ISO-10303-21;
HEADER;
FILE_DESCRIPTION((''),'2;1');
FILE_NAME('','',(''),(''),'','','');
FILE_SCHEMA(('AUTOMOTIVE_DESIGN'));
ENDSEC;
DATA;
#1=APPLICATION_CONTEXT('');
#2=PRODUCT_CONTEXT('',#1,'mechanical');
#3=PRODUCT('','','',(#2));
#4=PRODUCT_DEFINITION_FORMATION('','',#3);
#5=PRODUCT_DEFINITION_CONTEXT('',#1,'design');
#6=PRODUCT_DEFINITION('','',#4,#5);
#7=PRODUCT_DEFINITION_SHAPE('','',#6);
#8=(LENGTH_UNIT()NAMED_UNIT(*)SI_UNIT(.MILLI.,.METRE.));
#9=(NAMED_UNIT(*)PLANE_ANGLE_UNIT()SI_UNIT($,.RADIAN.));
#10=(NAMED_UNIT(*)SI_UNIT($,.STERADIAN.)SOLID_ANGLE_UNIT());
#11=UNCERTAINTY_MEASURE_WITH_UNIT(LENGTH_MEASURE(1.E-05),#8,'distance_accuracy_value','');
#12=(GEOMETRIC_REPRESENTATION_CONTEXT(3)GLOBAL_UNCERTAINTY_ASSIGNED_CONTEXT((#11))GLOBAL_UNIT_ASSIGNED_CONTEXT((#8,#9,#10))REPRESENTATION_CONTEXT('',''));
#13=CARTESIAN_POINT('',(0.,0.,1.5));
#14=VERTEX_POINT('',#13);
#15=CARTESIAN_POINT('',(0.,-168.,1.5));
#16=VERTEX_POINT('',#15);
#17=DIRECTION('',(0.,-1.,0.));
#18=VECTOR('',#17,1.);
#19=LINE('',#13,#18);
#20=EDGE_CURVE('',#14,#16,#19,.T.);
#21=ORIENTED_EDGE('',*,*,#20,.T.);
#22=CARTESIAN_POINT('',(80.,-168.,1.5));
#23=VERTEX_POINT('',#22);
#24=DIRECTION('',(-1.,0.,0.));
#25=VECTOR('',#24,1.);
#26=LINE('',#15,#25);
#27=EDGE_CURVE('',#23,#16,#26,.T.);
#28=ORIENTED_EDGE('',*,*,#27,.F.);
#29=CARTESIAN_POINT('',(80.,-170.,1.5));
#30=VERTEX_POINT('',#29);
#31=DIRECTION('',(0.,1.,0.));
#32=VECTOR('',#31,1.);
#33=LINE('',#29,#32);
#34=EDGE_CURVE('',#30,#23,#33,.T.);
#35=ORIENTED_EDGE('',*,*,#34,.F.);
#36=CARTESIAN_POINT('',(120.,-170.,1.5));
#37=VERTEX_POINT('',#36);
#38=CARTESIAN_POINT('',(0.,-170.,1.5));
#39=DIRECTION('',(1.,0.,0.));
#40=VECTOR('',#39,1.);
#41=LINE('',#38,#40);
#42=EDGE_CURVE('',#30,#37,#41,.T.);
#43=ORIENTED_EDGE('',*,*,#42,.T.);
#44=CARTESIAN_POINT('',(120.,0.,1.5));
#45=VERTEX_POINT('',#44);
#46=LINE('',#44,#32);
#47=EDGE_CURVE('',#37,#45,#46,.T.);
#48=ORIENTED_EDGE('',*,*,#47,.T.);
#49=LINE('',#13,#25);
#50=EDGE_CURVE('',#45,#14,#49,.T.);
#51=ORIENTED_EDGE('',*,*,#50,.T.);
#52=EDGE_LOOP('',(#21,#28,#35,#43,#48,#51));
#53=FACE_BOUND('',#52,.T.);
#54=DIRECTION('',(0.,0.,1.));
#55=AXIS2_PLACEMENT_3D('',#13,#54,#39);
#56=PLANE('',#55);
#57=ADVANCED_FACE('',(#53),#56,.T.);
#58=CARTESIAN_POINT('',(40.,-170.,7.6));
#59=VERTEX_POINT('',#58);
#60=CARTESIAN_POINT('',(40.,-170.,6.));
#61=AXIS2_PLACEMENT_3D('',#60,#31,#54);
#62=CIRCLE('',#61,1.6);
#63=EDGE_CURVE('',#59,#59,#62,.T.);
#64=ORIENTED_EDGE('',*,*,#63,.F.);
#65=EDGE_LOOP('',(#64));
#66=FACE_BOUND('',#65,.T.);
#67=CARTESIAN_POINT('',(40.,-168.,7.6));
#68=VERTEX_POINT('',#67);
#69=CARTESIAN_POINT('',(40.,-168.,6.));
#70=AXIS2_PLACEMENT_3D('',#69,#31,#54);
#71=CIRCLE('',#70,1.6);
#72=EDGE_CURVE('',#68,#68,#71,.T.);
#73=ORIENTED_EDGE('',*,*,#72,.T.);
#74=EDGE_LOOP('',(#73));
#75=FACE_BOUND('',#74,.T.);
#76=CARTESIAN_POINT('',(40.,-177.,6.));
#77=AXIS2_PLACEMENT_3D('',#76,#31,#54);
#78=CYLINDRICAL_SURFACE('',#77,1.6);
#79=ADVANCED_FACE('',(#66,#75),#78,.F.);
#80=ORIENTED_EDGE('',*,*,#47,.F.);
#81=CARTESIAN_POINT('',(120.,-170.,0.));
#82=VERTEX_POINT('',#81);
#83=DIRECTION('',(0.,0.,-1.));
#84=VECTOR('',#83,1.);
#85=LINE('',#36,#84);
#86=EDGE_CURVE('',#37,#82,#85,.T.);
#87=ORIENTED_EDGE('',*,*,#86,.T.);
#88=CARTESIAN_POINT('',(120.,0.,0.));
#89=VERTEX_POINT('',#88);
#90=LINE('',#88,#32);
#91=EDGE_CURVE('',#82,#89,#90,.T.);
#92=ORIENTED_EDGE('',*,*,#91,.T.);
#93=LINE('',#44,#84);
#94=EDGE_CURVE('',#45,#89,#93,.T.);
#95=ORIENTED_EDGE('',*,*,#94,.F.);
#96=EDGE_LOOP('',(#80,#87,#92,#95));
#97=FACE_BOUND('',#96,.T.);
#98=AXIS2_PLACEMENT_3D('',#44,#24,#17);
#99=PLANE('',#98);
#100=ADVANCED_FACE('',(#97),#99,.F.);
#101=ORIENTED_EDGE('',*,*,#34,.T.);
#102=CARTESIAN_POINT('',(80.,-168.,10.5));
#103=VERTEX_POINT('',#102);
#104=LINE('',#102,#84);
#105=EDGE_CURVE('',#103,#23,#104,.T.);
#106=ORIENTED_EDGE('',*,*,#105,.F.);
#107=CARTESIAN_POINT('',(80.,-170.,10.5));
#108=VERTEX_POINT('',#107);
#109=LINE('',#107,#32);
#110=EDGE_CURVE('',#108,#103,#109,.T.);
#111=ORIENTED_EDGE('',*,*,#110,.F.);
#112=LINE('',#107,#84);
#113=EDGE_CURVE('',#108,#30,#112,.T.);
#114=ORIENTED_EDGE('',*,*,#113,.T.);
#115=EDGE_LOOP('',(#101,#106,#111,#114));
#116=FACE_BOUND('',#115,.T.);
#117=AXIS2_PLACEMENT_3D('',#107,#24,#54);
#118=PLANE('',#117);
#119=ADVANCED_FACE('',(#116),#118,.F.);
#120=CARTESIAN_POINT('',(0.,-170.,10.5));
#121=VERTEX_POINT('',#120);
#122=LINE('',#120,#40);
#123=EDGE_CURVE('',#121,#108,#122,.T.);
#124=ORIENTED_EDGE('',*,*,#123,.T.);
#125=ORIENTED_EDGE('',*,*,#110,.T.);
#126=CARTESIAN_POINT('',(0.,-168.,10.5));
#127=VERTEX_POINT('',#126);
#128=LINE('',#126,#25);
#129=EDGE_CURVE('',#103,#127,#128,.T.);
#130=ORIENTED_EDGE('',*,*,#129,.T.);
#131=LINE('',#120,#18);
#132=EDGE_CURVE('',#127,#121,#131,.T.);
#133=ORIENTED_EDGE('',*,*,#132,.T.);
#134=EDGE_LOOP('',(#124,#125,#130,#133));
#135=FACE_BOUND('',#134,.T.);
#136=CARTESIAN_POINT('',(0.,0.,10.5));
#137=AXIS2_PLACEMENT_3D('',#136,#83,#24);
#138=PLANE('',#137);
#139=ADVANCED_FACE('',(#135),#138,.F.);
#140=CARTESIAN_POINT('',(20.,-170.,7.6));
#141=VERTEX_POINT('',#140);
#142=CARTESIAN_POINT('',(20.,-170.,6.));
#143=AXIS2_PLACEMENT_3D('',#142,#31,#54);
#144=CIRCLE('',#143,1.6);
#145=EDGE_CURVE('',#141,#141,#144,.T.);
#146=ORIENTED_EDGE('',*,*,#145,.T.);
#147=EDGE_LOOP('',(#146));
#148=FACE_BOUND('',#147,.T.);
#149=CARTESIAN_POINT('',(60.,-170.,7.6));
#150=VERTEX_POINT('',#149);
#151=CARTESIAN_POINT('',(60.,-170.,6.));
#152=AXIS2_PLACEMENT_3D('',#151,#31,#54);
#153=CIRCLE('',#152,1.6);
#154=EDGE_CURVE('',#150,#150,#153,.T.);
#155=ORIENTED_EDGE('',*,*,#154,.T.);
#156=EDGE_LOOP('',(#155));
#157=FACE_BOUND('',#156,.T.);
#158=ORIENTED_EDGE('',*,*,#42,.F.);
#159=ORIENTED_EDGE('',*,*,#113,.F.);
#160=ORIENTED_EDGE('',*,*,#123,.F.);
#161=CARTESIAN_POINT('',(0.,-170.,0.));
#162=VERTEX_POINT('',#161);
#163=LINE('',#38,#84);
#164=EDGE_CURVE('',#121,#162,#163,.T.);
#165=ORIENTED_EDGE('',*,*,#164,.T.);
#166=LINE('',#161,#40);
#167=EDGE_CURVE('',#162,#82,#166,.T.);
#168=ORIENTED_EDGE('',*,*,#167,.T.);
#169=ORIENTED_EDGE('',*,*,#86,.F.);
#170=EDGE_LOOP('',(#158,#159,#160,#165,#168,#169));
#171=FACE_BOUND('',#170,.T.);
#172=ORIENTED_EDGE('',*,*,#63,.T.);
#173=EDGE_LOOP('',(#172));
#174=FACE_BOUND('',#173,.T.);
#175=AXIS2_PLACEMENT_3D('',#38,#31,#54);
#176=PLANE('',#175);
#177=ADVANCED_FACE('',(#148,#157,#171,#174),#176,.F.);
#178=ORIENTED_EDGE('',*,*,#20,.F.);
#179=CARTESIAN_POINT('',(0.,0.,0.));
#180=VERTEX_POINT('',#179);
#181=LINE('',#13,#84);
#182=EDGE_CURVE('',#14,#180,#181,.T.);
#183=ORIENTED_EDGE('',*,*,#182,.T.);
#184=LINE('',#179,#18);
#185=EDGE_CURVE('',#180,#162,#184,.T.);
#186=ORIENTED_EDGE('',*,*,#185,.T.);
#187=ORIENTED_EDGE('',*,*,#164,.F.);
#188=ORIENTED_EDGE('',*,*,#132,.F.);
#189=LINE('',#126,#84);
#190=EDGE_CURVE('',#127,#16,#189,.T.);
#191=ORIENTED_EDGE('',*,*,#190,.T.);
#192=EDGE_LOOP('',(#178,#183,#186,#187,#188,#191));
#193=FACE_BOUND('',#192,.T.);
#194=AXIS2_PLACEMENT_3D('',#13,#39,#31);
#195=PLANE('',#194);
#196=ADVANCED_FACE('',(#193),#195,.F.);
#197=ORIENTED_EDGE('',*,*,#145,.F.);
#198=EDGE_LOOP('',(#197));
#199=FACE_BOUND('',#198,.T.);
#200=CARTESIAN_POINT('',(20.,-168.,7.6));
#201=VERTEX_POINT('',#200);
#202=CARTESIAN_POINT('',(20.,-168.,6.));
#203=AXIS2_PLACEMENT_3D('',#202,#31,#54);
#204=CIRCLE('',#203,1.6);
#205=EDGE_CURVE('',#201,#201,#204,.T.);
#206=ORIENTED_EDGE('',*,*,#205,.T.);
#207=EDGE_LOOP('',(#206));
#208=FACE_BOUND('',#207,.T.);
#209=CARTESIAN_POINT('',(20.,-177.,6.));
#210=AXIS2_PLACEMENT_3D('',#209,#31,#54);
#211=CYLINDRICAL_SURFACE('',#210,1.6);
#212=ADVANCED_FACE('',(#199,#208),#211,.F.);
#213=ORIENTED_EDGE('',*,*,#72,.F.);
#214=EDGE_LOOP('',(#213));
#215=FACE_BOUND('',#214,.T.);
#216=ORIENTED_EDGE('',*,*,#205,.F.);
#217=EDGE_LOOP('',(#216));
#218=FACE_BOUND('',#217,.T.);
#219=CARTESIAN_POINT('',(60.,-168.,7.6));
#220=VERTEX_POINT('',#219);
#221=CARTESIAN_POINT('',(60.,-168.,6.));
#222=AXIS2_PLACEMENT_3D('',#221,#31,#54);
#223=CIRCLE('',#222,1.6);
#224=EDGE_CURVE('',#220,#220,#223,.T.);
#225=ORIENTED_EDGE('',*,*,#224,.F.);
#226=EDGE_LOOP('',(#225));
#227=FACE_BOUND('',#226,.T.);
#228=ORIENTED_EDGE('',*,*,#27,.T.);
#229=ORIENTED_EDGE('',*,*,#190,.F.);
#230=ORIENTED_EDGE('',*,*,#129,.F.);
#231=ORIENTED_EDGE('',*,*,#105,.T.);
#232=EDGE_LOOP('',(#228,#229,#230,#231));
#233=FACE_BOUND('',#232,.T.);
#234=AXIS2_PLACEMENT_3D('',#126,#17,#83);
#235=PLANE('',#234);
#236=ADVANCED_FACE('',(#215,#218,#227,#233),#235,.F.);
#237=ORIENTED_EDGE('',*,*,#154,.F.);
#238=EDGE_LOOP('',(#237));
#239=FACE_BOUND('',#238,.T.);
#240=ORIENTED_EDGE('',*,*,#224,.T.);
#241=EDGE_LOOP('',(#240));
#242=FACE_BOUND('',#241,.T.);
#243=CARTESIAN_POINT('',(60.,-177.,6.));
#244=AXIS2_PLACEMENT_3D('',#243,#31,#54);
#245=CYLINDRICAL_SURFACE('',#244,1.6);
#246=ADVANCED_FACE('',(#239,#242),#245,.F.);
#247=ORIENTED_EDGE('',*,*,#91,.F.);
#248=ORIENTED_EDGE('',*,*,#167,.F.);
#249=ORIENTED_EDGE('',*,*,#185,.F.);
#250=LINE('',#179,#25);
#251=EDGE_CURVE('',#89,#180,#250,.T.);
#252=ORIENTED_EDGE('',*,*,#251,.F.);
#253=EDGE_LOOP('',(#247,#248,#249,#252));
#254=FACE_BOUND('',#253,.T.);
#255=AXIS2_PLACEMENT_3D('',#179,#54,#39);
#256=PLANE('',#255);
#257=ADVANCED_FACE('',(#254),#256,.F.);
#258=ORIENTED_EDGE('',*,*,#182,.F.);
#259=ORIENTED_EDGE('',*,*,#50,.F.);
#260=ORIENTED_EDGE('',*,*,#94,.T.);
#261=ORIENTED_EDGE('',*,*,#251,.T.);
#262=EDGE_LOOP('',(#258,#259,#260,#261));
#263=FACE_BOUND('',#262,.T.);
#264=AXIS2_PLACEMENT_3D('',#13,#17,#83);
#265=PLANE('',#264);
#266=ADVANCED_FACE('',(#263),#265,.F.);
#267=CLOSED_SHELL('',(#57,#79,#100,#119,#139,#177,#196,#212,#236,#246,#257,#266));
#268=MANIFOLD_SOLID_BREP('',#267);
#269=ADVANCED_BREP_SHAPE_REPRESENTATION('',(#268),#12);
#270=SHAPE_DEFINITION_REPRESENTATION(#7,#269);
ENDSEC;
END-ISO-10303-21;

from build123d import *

# Parameters (mm, degrees)
SKETCH_1_W          = 120
SKETCH_1_H          = 170
EXTRUDE_1_DEPTH     = 1.5
SKETCH_2_W          = 80
SKETCH_2_H          = 2
EXTRUDE_2_DEPTH     = 9
SKETCH_3_R          = 1.6
CUT_EXTRUDE_1_DEPTH = 9


with BuildPart() as part:
    # 草图1 → 凸台-拉伸1 (new body)
    with BuildSketch(Plane.XY):
        with Locations((60, -85)):
            Rectangle(SKETCH_1_W, SKETCH_1_H)
    extrude(amount=EXTRUDE_1_DEPTH)

    # 草图2 → 凸台-拉伸2 (add)
    with BuildSketch(Plane.XY.offset(1.5)):
        with Locations((40, -169)):
            Rectangle(SKETCH_2_W, SKETCH_2_H)
    extrude(amount=EXTRUDE_2_DEPTH)

    # 草图3 → 切除-拉伸1 (cut)
    with BuildSketch(Plane(origin=(0, -168, 0), x_dir=(1, 0, 0), z_dir=(0, 1, 0))):
        with Locations(Location((20, -6, 0), (0, 0, 270))):
            Circle(SKETCH_3_R)
        with Locations(Location((40, -6, 0), (0, 0, 270))):
            Circle(SKETCH_3_R)
        with Locations(Location((60, -6, 0), (0, 0, 270))):
            Circle(SKETCH_3_R)
    extrude(amount=-CUT_EXTRUDE_1_DEPTH, mode=Mode.SUBTRACT)


solid = part.part
